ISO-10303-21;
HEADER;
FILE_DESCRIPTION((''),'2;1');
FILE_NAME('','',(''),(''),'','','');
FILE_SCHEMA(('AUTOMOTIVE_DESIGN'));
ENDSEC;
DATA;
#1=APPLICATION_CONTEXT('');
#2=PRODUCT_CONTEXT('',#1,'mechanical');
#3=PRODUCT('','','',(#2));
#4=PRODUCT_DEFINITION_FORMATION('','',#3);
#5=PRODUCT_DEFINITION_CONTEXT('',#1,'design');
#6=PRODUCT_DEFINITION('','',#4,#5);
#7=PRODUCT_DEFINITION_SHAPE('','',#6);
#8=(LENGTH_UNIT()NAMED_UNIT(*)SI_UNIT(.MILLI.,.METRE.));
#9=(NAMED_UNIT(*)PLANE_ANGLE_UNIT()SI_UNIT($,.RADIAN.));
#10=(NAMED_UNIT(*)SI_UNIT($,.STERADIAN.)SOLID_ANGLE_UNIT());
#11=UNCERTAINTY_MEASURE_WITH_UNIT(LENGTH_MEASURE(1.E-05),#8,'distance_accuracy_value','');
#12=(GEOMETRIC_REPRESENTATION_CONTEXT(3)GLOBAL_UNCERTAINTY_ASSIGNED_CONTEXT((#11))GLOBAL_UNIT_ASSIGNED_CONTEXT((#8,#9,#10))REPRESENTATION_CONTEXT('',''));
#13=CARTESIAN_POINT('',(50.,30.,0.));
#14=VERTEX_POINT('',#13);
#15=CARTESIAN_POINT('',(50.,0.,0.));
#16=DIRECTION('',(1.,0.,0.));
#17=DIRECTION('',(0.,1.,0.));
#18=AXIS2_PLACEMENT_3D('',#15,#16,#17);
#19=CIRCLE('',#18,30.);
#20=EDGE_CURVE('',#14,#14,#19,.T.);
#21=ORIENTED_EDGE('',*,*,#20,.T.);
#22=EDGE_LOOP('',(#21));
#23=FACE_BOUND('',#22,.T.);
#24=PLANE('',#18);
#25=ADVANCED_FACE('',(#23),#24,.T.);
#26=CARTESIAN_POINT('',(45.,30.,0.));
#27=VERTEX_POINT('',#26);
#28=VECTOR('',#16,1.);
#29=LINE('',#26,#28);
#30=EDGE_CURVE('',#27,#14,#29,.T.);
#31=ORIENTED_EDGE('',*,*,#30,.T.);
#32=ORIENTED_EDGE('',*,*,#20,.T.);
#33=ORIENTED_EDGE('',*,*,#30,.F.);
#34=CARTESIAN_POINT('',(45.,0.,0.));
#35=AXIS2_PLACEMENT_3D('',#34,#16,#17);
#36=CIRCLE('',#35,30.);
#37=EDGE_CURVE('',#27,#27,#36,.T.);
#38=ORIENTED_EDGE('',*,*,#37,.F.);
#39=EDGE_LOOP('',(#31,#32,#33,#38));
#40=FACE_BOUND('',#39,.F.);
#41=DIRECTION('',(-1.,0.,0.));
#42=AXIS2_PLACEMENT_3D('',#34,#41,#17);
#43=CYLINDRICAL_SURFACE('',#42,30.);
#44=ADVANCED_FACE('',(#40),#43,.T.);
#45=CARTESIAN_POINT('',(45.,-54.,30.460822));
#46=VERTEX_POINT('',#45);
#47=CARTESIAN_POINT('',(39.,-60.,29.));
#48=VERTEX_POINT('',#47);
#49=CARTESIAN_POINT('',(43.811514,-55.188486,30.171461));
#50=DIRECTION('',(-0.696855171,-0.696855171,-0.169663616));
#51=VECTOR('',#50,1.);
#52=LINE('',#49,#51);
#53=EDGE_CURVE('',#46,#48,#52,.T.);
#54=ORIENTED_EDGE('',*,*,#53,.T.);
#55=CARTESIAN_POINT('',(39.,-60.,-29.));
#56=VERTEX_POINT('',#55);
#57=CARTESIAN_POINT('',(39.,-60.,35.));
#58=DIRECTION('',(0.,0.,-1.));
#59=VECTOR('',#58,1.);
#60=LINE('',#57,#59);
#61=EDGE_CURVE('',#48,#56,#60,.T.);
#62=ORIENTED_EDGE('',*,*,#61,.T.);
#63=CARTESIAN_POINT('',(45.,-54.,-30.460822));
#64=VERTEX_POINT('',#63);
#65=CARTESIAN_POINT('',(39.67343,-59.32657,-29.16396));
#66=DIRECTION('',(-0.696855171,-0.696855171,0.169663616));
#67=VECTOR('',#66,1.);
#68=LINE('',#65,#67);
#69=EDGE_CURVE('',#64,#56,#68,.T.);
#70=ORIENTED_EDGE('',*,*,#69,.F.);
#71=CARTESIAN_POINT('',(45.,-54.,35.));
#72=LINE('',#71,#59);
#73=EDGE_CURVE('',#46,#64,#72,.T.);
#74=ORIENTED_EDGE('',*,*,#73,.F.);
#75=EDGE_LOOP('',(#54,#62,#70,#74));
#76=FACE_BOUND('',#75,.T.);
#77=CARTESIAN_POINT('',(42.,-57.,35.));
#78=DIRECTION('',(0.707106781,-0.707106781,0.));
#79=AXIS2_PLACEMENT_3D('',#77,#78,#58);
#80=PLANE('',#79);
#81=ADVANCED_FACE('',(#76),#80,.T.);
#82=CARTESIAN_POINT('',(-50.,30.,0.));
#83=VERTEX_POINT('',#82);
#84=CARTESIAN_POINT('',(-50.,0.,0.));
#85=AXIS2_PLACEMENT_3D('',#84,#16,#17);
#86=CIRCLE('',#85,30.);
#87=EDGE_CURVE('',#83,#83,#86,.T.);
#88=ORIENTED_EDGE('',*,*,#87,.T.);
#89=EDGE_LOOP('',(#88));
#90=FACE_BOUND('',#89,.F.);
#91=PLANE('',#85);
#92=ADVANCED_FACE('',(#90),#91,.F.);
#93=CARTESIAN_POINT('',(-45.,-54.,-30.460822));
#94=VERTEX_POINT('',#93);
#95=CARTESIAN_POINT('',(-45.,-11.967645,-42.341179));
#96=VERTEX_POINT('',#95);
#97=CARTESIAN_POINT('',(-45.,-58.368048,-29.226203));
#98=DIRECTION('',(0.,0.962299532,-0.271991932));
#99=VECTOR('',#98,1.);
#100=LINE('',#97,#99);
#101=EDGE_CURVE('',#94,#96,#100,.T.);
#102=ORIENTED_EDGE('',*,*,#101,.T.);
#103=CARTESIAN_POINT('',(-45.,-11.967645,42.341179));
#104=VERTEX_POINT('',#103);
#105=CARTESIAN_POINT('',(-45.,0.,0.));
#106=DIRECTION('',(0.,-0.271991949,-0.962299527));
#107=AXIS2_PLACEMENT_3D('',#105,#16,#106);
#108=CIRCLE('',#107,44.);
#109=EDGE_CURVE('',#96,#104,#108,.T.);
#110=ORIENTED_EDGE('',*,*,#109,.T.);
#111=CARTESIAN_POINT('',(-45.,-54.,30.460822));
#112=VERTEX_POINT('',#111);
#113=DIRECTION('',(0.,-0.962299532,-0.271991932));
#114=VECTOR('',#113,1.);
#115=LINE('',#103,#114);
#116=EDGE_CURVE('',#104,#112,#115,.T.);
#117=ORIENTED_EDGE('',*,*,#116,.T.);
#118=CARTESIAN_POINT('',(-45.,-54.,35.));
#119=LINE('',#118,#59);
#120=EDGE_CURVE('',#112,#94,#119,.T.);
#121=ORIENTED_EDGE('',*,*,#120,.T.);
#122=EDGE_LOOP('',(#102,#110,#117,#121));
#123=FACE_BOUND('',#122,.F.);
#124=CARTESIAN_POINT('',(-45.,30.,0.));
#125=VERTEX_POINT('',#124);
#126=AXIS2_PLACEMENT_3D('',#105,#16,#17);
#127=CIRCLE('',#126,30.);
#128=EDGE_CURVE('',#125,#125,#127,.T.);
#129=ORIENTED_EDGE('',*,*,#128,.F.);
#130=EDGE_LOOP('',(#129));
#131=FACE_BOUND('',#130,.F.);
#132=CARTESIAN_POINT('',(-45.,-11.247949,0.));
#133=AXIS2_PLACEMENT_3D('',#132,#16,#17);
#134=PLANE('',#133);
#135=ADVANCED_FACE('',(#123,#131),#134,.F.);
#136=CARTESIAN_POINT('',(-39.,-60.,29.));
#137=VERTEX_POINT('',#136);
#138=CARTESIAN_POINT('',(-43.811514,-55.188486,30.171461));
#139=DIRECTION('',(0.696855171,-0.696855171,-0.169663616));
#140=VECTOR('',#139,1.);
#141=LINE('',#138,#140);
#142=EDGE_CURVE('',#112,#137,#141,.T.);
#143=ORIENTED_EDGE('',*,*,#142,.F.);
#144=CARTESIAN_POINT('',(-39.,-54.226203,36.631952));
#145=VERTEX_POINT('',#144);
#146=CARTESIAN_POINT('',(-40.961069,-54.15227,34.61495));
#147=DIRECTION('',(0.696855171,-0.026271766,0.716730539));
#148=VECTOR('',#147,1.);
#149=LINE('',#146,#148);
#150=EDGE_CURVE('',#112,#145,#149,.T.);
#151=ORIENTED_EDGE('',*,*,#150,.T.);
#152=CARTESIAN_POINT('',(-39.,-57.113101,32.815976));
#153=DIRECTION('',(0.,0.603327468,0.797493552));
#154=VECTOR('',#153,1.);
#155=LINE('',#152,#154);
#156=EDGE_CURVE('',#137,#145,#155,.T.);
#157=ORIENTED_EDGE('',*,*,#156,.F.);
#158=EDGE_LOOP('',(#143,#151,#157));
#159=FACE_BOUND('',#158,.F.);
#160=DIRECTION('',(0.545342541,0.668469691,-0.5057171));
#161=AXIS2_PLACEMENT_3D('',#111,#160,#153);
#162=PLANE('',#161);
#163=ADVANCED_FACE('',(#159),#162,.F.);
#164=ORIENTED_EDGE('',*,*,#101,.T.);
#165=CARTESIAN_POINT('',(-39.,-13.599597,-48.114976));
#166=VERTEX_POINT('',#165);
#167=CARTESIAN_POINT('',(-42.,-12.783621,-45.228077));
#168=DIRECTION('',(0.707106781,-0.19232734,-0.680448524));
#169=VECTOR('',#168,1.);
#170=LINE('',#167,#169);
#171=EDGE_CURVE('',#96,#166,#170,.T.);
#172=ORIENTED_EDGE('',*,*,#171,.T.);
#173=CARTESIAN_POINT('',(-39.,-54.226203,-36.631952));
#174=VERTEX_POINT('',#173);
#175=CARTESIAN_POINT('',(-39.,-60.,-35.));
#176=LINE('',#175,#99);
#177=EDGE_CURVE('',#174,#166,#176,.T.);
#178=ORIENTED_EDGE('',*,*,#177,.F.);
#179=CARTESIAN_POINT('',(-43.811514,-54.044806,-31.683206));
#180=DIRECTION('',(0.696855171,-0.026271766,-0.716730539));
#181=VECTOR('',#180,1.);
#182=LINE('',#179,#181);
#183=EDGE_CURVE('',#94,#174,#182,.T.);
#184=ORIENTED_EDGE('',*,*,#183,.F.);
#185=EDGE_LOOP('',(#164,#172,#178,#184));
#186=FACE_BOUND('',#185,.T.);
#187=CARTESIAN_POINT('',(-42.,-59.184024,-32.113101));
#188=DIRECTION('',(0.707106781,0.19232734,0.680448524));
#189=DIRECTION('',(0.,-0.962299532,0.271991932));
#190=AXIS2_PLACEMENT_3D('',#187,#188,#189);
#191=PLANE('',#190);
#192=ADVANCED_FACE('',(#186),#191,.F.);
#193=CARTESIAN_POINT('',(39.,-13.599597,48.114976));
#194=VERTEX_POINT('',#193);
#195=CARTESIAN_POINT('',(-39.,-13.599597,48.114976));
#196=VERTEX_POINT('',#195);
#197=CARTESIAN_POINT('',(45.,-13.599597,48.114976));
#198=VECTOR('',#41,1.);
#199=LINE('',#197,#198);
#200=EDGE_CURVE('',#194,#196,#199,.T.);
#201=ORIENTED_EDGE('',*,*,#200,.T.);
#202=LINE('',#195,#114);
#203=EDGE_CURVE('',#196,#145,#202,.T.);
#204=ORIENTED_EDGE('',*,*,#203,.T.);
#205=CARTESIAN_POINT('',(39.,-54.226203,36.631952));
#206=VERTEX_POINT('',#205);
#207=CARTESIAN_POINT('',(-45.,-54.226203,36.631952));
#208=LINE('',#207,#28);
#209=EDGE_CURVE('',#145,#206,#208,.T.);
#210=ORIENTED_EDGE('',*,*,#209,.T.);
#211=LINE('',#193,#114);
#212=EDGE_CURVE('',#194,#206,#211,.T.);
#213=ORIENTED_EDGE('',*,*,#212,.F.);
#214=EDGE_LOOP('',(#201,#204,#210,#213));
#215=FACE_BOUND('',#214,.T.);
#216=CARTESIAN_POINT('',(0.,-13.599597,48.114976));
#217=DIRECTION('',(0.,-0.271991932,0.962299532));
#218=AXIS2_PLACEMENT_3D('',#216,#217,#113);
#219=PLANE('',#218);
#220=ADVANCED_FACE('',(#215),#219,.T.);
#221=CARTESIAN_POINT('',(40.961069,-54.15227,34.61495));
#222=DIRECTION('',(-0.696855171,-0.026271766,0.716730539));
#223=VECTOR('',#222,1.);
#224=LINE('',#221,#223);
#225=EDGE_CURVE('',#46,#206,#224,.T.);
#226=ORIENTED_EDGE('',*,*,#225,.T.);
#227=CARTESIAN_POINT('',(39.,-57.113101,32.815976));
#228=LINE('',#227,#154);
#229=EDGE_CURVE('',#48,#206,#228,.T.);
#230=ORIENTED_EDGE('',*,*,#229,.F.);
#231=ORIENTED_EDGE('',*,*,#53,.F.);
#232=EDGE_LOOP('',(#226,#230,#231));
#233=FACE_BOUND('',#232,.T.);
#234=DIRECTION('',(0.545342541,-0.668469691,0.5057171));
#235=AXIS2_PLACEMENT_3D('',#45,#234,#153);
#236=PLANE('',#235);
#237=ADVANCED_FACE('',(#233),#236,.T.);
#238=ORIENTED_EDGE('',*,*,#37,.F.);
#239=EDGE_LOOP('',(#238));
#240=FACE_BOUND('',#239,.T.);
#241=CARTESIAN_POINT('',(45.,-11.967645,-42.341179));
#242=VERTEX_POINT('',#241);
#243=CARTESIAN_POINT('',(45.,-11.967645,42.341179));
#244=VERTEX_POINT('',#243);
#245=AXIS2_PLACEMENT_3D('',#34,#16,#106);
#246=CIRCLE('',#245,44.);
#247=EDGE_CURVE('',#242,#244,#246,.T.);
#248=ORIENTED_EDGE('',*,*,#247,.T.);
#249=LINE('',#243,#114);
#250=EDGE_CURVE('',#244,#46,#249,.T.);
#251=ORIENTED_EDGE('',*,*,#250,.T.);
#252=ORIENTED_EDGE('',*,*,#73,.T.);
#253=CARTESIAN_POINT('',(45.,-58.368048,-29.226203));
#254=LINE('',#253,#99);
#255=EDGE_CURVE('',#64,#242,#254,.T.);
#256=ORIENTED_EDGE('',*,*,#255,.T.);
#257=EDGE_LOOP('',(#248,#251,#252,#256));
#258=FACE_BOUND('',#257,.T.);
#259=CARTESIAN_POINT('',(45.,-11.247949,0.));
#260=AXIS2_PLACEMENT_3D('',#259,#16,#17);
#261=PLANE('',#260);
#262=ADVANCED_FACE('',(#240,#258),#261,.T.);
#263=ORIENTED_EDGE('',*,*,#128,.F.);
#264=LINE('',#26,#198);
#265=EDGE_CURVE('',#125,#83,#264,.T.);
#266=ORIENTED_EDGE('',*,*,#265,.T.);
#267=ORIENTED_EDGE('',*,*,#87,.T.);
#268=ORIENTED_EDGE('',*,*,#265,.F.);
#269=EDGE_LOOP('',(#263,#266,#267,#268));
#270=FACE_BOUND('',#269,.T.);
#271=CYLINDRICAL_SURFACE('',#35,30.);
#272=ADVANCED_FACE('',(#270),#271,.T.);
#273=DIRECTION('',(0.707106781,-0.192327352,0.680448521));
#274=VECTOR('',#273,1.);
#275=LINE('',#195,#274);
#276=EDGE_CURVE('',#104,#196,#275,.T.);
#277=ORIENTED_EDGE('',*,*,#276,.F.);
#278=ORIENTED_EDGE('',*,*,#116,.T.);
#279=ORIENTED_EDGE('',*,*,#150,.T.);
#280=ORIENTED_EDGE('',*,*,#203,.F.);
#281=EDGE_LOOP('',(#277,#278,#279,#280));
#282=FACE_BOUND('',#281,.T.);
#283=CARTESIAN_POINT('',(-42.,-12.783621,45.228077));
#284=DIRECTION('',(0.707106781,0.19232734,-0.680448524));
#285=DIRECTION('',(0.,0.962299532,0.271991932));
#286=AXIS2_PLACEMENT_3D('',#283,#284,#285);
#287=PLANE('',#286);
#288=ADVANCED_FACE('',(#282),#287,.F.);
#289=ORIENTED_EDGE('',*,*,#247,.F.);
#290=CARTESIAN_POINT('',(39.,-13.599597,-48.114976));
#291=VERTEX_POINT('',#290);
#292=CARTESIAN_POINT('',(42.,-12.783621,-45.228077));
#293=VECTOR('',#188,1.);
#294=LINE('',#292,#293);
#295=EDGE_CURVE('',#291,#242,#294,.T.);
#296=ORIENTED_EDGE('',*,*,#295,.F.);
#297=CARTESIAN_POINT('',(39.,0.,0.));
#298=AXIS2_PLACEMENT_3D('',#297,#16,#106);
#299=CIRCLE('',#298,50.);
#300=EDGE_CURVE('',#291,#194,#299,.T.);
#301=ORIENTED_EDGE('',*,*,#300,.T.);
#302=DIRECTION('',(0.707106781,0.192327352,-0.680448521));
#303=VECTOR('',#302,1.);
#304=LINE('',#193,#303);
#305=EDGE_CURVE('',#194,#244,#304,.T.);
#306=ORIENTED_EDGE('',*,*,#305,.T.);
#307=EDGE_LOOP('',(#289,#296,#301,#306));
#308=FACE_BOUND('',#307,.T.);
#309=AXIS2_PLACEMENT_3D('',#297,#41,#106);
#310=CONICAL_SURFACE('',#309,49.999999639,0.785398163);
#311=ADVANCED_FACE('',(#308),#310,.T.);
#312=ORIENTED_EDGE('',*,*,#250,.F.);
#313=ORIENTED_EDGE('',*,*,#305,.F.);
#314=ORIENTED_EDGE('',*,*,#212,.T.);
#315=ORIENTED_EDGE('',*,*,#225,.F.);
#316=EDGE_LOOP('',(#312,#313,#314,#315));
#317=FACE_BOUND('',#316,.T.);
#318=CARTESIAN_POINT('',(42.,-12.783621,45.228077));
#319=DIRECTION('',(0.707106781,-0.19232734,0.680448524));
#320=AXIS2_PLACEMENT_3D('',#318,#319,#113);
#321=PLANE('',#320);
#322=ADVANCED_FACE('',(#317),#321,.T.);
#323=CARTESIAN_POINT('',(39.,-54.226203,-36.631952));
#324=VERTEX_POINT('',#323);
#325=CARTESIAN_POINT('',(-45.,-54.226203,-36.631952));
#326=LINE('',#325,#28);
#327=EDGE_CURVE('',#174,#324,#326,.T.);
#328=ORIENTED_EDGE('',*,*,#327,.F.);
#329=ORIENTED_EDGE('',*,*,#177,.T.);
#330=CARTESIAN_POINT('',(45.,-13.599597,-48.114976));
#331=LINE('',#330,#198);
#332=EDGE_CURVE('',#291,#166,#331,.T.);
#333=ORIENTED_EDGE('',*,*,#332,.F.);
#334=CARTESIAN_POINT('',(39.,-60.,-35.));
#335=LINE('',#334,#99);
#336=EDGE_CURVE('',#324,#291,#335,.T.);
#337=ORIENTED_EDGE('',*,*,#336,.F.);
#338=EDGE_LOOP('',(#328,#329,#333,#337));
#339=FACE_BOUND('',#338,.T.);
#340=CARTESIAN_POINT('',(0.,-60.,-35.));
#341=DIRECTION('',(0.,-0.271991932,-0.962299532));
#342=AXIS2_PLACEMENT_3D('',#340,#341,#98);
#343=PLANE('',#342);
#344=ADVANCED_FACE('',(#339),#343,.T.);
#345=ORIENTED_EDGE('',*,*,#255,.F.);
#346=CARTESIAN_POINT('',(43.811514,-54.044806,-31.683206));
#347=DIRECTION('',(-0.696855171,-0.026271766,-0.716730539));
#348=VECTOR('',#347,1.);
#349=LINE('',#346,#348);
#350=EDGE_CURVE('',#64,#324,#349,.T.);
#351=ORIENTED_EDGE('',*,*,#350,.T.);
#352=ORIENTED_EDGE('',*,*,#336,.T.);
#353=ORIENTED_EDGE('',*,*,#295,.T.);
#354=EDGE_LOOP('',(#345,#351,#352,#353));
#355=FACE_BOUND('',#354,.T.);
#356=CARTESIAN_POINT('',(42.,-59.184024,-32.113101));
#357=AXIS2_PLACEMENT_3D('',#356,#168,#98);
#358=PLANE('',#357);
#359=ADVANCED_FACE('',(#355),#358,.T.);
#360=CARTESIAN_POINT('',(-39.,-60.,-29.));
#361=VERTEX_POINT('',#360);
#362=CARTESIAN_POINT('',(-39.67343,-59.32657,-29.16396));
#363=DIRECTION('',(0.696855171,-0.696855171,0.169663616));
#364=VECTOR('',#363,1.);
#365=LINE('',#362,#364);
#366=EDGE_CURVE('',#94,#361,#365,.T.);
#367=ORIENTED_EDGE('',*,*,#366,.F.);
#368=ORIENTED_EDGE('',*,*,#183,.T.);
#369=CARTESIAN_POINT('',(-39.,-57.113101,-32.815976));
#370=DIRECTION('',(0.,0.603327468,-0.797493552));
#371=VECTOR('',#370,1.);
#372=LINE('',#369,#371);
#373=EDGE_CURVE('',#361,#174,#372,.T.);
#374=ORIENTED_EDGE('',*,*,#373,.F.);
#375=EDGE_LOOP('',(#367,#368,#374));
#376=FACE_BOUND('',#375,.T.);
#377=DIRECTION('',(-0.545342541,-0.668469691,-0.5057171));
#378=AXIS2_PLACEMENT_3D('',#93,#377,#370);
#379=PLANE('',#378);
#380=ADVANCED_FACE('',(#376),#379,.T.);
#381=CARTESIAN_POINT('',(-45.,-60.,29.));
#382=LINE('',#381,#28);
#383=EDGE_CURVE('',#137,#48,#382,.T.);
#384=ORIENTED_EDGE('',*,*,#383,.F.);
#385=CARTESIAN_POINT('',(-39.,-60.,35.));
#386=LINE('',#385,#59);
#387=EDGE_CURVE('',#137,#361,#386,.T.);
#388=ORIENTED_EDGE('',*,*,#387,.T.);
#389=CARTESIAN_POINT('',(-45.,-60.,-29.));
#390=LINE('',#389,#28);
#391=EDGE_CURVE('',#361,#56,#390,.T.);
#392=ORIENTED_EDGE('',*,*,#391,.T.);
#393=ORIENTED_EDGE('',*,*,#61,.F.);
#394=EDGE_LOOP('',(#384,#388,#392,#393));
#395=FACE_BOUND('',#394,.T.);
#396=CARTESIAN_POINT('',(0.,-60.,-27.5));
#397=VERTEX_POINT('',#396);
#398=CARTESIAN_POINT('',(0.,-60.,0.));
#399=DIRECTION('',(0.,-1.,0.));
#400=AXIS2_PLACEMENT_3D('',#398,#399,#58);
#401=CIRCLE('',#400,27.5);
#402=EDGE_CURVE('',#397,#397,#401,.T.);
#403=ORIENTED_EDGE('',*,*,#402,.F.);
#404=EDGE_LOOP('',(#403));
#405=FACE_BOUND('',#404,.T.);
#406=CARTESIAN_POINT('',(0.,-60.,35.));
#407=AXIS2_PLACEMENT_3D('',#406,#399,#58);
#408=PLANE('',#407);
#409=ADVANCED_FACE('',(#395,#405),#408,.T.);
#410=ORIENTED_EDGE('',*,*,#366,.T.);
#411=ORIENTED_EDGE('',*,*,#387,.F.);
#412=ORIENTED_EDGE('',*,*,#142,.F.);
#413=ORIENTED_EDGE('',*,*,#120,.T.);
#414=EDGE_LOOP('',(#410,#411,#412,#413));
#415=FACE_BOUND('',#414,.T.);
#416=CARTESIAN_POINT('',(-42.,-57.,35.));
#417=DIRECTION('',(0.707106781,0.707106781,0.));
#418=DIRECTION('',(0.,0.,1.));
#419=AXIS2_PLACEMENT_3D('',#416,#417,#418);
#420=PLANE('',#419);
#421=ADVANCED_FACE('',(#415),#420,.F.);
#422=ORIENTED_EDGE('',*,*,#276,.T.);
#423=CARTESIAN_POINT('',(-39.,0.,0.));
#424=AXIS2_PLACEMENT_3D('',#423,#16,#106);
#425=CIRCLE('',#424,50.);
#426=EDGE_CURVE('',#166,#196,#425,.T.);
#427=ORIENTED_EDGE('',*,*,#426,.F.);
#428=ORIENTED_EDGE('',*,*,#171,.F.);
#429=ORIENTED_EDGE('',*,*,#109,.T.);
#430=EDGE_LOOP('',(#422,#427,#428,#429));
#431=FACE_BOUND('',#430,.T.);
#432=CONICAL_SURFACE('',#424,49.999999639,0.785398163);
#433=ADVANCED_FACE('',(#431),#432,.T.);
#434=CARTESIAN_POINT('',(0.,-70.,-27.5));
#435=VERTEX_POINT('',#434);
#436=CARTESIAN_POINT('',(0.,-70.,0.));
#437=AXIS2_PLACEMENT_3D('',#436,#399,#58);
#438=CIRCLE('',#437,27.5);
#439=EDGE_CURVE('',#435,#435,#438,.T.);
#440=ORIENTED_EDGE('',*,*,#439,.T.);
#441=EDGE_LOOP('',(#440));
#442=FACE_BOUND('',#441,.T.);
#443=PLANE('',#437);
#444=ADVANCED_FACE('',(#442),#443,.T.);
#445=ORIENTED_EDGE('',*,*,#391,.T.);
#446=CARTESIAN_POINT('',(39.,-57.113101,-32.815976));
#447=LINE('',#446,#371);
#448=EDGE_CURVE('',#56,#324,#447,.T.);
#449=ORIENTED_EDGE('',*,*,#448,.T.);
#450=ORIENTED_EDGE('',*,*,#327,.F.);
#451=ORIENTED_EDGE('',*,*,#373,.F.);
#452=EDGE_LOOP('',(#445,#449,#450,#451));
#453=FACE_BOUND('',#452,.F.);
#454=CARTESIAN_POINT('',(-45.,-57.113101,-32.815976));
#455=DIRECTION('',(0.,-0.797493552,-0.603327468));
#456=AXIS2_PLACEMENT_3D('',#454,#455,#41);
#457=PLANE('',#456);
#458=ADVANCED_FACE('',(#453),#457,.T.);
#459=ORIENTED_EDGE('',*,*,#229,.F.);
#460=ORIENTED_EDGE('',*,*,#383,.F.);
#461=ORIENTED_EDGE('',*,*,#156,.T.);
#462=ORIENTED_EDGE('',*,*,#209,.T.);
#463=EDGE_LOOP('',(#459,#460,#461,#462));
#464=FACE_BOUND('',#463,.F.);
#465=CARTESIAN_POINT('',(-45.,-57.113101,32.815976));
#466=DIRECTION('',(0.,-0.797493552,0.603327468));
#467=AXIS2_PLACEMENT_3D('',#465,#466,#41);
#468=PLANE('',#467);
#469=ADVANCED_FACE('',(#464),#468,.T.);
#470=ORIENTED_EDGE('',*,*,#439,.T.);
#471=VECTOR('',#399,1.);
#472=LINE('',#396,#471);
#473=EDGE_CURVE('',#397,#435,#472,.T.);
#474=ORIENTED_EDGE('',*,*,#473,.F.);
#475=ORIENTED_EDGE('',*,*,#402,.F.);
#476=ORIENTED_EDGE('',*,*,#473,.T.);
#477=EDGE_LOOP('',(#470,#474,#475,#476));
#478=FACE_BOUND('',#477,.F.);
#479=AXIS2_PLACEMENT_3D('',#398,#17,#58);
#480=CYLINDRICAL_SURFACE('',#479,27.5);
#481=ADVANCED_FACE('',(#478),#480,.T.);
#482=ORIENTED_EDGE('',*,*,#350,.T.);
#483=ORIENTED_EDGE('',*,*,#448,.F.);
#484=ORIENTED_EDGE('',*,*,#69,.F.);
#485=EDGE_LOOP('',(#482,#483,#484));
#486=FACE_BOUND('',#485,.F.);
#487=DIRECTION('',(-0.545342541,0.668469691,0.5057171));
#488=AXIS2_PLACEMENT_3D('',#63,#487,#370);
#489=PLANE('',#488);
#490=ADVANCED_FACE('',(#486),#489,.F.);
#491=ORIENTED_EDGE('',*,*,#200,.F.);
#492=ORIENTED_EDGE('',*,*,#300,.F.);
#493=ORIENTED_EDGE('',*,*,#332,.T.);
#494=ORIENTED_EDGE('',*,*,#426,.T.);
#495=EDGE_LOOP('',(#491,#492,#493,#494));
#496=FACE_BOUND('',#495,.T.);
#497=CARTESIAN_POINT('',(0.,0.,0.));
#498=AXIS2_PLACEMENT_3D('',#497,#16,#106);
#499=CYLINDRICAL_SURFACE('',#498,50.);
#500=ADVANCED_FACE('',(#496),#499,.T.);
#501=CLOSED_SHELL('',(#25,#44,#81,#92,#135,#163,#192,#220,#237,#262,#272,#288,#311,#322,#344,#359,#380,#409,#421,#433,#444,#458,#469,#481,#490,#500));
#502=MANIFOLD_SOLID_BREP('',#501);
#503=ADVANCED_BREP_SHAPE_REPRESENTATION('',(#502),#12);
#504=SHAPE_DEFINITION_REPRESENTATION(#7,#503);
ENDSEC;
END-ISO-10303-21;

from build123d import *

# Parameters (mm, degrees)
PAD_DEPTH    = 45
SKETCH001_R  = 30
PAD001_DEPTH = 5
PAD002_DEPTH = 95
SKETCH002_R  = 27.5
PAD003_DEPTH = 10
CHAMFER_SIZE = 6


with BuildPart() as part:
    # Sketch → Pad (new body, symmetric)
    with BuildSketch(Plane.YZ):
        with BuildLine():
            Line((-13.599597, 48.114976), (-60, 35))
            Line((-60, 35), (-60, -35))
            Line((-60, -35), (-13.599597, -48.114976))
            ThreePointArc((-13.599597, -48.114976), (50, 0), (-13.599597, 48.114976))
        make_face()
    extrude(amount=PAD_DEPTH, both=True)

    # Sketch001 (on Face6 of Pad) → Pad001 (join)
    with BuildSketch(Plane.YZ.offset(45)):
        Circle(SKETCH001_R)
    extrude(amount=PAD001_DEPTH)

    # Sketch001 (on Face6 of Pad) → Pad002 (join)
    with BuildSketch(Plane.YZ.offset(45)):
        Circle(SKETCH001_R)
    extrude(amount=-PAD002_DEPTH)

    # Sketch002 (on Face3 of Pad002) → Pad003 (join)
    with BuildSketch(Plane(origin=(0, -60, 0), x_dir=(0, 0, -1), z_dir=(0, -1, 0))):
        Circle(SKETCH002_R)
    extrude(amount=PAD003_DEPTH)

    # Chamfer
    chamfer_edges = [part.edges().sort_by_distance(p)[0] for p in [
        (0, -13.599597, -48.114976),
        (0, -13.599597, 48.114976),
        (-45, 50, 0),
        (45, 50, 0),
        (0, -60, 35),
        (-45, -36.799799, 41.557488),
        (45, -36.799799, 41.557488),
        (0, -60, -35),
        (-45, -36.799799, -41.557488),
        (45, -36.799799, -41.557488),
        (45, -60, 0),
        (-45, -60, 0),
    ]]
    chamfer(chamfer_edges, length=CHAMFER_SIZE)


solid = part.part
